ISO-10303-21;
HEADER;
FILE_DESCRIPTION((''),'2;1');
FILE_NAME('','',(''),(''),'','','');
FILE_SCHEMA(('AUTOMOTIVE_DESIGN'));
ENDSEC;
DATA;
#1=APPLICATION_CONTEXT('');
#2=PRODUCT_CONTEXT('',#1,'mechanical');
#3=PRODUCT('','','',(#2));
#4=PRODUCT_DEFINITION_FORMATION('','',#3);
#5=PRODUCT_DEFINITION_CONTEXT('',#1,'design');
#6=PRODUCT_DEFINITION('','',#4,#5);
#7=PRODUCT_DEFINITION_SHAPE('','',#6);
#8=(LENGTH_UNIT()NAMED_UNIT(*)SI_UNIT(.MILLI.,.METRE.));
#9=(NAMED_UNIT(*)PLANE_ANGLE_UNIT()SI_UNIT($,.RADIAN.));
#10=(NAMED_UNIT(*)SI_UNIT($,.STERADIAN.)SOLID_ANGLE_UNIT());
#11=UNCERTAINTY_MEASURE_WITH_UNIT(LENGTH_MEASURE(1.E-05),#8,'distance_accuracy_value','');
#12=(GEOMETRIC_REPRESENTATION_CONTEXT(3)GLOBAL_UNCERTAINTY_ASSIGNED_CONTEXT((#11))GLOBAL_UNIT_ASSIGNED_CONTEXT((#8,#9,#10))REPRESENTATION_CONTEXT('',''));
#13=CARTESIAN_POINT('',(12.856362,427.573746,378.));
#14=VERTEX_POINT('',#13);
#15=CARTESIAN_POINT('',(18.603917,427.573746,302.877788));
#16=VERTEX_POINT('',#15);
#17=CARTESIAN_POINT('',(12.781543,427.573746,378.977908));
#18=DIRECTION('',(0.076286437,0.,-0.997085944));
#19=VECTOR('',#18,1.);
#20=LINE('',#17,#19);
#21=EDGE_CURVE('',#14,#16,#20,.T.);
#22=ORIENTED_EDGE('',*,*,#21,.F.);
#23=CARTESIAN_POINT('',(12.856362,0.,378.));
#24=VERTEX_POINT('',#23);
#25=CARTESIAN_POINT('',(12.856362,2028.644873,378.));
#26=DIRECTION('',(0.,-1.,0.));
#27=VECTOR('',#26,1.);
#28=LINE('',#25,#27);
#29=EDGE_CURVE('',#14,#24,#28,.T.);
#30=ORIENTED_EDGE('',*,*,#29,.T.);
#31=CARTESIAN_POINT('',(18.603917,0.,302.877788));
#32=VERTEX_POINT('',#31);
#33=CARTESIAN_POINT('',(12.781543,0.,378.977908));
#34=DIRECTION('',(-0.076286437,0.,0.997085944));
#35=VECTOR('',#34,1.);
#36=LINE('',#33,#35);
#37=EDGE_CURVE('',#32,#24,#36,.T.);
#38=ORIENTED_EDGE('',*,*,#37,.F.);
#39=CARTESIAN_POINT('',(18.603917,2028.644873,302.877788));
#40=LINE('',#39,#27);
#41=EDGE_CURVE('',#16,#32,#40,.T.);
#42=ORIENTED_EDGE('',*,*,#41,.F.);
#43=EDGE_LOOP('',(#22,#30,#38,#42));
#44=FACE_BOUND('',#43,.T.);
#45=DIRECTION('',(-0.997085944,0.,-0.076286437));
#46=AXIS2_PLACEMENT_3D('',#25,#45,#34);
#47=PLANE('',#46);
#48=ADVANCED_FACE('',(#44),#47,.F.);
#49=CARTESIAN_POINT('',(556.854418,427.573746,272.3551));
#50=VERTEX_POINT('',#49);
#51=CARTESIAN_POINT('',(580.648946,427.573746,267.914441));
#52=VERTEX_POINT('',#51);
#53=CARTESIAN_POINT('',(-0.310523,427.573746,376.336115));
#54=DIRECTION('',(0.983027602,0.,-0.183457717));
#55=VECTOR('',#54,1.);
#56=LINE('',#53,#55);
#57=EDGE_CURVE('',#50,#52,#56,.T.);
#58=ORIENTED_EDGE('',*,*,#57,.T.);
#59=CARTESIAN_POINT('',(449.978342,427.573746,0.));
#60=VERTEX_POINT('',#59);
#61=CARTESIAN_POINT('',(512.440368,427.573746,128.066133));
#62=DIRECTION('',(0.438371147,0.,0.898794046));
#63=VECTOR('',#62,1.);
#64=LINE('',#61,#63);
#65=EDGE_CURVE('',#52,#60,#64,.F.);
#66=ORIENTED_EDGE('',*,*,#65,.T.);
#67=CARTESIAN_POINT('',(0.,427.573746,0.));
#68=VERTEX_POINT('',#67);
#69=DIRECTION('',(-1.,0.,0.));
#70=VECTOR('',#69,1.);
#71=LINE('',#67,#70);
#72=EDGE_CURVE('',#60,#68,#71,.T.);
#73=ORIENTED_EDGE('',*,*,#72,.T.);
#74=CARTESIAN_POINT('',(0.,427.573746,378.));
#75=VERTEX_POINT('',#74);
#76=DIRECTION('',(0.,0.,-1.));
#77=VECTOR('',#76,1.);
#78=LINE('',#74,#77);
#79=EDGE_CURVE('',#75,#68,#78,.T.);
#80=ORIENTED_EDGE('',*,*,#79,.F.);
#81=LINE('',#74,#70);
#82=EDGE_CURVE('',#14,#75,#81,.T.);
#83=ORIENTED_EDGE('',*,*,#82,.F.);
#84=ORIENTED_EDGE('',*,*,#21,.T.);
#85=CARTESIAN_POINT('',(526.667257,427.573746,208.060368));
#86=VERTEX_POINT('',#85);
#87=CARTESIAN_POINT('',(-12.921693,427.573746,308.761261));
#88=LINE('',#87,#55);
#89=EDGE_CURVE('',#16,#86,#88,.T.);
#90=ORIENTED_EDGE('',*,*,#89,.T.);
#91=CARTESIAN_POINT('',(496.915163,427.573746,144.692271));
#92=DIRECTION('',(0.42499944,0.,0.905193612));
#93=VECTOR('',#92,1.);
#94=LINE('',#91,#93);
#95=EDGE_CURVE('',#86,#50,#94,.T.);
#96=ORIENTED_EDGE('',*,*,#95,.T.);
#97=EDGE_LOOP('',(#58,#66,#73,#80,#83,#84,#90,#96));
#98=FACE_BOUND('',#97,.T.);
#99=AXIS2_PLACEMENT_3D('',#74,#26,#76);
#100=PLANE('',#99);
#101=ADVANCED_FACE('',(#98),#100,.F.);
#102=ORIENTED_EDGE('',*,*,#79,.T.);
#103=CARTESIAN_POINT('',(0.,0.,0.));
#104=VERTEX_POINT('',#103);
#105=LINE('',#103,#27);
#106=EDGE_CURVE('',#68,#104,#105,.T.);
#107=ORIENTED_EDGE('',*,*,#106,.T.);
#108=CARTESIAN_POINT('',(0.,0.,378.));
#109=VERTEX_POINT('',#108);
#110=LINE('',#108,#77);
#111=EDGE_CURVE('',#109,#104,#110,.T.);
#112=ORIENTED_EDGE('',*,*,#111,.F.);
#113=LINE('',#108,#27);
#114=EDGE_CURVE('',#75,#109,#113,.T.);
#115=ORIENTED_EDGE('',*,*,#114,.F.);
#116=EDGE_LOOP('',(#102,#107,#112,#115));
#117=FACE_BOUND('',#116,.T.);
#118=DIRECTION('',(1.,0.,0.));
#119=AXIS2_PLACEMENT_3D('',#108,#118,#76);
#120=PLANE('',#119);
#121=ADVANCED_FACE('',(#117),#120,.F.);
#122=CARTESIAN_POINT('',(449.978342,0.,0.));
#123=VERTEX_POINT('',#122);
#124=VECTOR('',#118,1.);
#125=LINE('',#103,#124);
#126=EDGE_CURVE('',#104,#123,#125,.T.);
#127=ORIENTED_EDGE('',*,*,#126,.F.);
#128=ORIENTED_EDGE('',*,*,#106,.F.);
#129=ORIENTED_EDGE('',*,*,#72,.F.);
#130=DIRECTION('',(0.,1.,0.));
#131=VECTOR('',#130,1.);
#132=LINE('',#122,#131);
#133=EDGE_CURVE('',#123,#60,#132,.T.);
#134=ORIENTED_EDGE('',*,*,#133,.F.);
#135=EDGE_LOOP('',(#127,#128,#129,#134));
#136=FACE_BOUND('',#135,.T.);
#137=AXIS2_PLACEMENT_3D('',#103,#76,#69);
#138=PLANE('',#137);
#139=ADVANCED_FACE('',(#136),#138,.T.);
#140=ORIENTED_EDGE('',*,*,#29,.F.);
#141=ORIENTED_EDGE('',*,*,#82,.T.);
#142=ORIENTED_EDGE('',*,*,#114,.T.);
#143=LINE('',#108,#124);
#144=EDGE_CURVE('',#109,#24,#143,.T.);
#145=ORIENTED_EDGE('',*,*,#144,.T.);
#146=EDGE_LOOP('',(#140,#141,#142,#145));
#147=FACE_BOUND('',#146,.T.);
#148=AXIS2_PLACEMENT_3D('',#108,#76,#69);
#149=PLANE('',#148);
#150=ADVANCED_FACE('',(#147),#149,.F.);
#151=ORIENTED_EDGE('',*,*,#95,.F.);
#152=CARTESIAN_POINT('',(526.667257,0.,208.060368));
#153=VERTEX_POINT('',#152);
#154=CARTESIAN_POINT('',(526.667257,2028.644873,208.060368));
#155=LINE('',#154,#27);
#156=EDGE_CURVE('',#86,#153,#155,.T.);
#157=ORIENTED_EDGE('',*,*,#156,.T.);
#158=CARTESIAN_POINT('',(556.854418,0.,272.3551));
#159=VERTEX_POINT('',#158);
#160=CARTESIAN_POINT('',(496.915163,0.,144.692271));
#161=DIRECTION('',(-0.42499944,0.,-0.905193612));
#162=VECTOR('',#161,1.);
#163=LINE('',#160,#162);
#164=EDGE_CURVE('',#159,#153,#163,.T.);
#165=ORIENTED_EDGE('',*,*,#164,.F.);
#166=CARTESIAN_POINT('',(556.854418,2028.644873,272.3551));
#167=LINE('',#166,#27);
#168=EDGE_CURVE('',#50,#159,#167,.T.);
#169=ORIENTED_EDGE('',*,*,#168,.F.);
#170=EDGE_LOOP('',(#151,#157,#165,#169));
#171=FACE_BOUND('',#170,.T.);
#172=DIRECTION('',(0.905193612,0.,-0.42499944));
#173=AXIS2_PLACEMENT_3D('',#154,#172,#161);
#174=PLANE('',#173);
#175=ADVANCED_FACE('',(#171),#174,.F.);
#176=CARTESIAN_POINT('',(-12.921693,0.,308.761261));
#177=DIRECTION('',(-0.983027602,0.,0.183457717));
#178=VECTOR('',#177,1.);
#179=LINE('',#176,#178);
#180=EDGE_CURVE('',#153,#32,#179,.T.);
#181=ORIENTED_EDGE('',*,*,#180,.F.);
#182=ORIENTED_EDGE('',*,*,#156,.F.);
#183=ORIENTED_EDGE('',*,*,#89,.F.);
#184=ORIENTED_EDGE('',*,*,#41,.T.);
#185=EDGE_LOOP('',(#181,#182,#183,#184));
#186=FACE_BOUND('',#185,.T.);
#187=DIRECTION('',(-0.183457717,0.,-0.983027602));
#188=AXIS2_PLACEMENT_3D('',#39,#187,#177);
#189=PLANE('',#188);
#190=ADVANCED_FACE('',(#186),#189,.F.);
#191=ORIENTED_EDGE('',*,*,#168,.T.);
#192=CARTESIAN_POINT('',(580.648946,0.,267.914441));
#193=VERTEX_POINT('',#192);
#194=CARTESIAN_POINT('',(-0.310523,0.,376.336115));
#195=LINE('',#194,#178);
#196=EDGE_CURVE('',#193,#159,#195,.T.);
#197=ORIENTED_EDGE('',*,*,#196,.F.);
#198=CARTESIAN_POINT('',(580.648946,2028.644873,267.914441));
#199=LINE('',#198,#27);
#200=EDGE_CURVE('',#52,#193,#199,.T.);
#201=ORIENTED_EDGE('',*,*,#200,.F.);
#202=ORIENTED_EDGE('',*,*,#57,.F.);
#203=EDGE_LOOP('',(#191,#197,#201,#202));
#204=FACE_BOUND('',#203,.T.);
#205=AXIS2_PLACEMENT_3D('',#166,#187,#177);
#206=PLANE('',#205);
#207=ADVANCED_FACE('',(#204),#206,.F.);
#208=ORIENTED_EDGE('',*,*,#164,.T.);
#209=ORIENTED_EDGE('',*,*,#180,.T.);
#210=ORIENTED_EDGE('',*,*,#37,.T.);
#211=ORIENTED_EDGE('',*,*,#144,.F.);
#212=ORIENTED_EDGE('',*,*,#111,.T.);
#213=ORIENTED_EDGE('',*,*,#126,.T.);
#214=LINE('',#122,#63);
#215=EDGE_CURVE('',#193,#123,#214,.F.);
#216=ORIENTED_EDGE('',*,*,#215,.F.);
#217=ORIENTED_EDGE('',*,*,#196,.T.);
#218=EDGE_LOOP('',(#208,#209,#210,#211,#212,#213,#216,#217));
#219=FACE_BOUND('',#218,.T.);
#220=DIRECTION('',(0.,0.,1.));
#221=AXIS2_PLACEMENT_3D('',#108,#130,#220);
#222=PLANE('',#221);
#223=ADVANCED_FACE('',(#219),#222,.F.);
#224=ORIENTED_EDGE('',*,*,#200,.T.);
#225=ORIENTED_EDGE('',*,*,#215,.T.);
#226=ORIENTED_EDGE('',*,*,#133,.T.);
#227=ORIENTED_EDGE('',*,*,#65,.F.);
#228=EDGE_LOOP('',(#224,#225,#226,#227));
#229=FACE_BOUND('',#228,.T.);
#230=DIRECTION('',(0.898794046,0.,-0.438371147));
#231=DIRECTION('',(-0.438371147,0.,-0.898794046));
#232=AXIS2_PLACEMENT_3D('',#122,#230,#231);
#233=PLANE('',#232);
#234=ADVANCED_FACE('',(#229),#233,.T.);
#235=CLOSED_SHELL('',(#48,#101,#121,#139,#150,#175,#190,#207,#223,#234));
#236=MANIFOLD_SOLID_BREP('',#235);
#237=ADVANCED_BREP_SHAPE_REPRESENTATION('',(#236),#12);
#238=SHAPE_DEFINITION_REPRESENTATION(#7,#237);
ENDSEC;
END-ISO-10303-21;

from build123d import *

# Parameters (mm, degrees)
SKETCH1_W               = 449.978341512
SKETCH1_H               = 427.573746213
BOSS_EXTRUDE1_DEPTH     = 378
DRAFT2_ANGLE            = 26
CUT_EXTRUDE1_DEPTH      = 854.283154982
CUT_EXTRUDE1_DEPTH_BACK = 854.283154982


with BuildPart() as part:
    # Sketch1 → Boss-Extrude1 (new body)
    with BuildSketch(Plane.XY):
        with Locations((224.989170756, 213.786873107)):
            Rectangle(SKETCH1_W, SKETCH1_H)
    extrude(amount=BOSS_EXTRUDE1_DEPTH)

    # Draft2
    draft2_faces = [part.faces().sort_by_distance(p)[0] for p in [
        (449.978341512, 213.786873106, 189),
    ]]
    draft(draft2_faces, Plane(origin=(0, 0, 0), x_dir=(-1, 0, 0), z_dir=(0, 0, -1)), DRAFT2_ANGLE)

    # Sketch2 → Cut-Extrude1 (cut, two sides: drawn at the far end of the back side and taken through both)
    with BuildSketch(Plane(origin=(0, 427.573746213, 0), x_dir=(1, 0, 0), z_dir=(0, 1, 0)).offset(-CUT_EXTRUDE1_DEPTH_BACK)):
        Polygon((-98.889763821, -1838.554406759), (12.856362316, -378), (18.603916927, -302.877787654), (526.667256984, -208.060368048), (556.854417648, -272.355099853), (580.648945558, -267.914441457), (2020.610369742, 0.818639262), (3940.798807951, -2211.804656514), (1821.298674388, -4051.177702535), align=None)
    extrude(amount=CUT_EXTRUDE1_DEPTH + CUT_EXTRUDE1_DEPTH_BACK, mode=Mode.SUBTRACT)


solid = part.part
